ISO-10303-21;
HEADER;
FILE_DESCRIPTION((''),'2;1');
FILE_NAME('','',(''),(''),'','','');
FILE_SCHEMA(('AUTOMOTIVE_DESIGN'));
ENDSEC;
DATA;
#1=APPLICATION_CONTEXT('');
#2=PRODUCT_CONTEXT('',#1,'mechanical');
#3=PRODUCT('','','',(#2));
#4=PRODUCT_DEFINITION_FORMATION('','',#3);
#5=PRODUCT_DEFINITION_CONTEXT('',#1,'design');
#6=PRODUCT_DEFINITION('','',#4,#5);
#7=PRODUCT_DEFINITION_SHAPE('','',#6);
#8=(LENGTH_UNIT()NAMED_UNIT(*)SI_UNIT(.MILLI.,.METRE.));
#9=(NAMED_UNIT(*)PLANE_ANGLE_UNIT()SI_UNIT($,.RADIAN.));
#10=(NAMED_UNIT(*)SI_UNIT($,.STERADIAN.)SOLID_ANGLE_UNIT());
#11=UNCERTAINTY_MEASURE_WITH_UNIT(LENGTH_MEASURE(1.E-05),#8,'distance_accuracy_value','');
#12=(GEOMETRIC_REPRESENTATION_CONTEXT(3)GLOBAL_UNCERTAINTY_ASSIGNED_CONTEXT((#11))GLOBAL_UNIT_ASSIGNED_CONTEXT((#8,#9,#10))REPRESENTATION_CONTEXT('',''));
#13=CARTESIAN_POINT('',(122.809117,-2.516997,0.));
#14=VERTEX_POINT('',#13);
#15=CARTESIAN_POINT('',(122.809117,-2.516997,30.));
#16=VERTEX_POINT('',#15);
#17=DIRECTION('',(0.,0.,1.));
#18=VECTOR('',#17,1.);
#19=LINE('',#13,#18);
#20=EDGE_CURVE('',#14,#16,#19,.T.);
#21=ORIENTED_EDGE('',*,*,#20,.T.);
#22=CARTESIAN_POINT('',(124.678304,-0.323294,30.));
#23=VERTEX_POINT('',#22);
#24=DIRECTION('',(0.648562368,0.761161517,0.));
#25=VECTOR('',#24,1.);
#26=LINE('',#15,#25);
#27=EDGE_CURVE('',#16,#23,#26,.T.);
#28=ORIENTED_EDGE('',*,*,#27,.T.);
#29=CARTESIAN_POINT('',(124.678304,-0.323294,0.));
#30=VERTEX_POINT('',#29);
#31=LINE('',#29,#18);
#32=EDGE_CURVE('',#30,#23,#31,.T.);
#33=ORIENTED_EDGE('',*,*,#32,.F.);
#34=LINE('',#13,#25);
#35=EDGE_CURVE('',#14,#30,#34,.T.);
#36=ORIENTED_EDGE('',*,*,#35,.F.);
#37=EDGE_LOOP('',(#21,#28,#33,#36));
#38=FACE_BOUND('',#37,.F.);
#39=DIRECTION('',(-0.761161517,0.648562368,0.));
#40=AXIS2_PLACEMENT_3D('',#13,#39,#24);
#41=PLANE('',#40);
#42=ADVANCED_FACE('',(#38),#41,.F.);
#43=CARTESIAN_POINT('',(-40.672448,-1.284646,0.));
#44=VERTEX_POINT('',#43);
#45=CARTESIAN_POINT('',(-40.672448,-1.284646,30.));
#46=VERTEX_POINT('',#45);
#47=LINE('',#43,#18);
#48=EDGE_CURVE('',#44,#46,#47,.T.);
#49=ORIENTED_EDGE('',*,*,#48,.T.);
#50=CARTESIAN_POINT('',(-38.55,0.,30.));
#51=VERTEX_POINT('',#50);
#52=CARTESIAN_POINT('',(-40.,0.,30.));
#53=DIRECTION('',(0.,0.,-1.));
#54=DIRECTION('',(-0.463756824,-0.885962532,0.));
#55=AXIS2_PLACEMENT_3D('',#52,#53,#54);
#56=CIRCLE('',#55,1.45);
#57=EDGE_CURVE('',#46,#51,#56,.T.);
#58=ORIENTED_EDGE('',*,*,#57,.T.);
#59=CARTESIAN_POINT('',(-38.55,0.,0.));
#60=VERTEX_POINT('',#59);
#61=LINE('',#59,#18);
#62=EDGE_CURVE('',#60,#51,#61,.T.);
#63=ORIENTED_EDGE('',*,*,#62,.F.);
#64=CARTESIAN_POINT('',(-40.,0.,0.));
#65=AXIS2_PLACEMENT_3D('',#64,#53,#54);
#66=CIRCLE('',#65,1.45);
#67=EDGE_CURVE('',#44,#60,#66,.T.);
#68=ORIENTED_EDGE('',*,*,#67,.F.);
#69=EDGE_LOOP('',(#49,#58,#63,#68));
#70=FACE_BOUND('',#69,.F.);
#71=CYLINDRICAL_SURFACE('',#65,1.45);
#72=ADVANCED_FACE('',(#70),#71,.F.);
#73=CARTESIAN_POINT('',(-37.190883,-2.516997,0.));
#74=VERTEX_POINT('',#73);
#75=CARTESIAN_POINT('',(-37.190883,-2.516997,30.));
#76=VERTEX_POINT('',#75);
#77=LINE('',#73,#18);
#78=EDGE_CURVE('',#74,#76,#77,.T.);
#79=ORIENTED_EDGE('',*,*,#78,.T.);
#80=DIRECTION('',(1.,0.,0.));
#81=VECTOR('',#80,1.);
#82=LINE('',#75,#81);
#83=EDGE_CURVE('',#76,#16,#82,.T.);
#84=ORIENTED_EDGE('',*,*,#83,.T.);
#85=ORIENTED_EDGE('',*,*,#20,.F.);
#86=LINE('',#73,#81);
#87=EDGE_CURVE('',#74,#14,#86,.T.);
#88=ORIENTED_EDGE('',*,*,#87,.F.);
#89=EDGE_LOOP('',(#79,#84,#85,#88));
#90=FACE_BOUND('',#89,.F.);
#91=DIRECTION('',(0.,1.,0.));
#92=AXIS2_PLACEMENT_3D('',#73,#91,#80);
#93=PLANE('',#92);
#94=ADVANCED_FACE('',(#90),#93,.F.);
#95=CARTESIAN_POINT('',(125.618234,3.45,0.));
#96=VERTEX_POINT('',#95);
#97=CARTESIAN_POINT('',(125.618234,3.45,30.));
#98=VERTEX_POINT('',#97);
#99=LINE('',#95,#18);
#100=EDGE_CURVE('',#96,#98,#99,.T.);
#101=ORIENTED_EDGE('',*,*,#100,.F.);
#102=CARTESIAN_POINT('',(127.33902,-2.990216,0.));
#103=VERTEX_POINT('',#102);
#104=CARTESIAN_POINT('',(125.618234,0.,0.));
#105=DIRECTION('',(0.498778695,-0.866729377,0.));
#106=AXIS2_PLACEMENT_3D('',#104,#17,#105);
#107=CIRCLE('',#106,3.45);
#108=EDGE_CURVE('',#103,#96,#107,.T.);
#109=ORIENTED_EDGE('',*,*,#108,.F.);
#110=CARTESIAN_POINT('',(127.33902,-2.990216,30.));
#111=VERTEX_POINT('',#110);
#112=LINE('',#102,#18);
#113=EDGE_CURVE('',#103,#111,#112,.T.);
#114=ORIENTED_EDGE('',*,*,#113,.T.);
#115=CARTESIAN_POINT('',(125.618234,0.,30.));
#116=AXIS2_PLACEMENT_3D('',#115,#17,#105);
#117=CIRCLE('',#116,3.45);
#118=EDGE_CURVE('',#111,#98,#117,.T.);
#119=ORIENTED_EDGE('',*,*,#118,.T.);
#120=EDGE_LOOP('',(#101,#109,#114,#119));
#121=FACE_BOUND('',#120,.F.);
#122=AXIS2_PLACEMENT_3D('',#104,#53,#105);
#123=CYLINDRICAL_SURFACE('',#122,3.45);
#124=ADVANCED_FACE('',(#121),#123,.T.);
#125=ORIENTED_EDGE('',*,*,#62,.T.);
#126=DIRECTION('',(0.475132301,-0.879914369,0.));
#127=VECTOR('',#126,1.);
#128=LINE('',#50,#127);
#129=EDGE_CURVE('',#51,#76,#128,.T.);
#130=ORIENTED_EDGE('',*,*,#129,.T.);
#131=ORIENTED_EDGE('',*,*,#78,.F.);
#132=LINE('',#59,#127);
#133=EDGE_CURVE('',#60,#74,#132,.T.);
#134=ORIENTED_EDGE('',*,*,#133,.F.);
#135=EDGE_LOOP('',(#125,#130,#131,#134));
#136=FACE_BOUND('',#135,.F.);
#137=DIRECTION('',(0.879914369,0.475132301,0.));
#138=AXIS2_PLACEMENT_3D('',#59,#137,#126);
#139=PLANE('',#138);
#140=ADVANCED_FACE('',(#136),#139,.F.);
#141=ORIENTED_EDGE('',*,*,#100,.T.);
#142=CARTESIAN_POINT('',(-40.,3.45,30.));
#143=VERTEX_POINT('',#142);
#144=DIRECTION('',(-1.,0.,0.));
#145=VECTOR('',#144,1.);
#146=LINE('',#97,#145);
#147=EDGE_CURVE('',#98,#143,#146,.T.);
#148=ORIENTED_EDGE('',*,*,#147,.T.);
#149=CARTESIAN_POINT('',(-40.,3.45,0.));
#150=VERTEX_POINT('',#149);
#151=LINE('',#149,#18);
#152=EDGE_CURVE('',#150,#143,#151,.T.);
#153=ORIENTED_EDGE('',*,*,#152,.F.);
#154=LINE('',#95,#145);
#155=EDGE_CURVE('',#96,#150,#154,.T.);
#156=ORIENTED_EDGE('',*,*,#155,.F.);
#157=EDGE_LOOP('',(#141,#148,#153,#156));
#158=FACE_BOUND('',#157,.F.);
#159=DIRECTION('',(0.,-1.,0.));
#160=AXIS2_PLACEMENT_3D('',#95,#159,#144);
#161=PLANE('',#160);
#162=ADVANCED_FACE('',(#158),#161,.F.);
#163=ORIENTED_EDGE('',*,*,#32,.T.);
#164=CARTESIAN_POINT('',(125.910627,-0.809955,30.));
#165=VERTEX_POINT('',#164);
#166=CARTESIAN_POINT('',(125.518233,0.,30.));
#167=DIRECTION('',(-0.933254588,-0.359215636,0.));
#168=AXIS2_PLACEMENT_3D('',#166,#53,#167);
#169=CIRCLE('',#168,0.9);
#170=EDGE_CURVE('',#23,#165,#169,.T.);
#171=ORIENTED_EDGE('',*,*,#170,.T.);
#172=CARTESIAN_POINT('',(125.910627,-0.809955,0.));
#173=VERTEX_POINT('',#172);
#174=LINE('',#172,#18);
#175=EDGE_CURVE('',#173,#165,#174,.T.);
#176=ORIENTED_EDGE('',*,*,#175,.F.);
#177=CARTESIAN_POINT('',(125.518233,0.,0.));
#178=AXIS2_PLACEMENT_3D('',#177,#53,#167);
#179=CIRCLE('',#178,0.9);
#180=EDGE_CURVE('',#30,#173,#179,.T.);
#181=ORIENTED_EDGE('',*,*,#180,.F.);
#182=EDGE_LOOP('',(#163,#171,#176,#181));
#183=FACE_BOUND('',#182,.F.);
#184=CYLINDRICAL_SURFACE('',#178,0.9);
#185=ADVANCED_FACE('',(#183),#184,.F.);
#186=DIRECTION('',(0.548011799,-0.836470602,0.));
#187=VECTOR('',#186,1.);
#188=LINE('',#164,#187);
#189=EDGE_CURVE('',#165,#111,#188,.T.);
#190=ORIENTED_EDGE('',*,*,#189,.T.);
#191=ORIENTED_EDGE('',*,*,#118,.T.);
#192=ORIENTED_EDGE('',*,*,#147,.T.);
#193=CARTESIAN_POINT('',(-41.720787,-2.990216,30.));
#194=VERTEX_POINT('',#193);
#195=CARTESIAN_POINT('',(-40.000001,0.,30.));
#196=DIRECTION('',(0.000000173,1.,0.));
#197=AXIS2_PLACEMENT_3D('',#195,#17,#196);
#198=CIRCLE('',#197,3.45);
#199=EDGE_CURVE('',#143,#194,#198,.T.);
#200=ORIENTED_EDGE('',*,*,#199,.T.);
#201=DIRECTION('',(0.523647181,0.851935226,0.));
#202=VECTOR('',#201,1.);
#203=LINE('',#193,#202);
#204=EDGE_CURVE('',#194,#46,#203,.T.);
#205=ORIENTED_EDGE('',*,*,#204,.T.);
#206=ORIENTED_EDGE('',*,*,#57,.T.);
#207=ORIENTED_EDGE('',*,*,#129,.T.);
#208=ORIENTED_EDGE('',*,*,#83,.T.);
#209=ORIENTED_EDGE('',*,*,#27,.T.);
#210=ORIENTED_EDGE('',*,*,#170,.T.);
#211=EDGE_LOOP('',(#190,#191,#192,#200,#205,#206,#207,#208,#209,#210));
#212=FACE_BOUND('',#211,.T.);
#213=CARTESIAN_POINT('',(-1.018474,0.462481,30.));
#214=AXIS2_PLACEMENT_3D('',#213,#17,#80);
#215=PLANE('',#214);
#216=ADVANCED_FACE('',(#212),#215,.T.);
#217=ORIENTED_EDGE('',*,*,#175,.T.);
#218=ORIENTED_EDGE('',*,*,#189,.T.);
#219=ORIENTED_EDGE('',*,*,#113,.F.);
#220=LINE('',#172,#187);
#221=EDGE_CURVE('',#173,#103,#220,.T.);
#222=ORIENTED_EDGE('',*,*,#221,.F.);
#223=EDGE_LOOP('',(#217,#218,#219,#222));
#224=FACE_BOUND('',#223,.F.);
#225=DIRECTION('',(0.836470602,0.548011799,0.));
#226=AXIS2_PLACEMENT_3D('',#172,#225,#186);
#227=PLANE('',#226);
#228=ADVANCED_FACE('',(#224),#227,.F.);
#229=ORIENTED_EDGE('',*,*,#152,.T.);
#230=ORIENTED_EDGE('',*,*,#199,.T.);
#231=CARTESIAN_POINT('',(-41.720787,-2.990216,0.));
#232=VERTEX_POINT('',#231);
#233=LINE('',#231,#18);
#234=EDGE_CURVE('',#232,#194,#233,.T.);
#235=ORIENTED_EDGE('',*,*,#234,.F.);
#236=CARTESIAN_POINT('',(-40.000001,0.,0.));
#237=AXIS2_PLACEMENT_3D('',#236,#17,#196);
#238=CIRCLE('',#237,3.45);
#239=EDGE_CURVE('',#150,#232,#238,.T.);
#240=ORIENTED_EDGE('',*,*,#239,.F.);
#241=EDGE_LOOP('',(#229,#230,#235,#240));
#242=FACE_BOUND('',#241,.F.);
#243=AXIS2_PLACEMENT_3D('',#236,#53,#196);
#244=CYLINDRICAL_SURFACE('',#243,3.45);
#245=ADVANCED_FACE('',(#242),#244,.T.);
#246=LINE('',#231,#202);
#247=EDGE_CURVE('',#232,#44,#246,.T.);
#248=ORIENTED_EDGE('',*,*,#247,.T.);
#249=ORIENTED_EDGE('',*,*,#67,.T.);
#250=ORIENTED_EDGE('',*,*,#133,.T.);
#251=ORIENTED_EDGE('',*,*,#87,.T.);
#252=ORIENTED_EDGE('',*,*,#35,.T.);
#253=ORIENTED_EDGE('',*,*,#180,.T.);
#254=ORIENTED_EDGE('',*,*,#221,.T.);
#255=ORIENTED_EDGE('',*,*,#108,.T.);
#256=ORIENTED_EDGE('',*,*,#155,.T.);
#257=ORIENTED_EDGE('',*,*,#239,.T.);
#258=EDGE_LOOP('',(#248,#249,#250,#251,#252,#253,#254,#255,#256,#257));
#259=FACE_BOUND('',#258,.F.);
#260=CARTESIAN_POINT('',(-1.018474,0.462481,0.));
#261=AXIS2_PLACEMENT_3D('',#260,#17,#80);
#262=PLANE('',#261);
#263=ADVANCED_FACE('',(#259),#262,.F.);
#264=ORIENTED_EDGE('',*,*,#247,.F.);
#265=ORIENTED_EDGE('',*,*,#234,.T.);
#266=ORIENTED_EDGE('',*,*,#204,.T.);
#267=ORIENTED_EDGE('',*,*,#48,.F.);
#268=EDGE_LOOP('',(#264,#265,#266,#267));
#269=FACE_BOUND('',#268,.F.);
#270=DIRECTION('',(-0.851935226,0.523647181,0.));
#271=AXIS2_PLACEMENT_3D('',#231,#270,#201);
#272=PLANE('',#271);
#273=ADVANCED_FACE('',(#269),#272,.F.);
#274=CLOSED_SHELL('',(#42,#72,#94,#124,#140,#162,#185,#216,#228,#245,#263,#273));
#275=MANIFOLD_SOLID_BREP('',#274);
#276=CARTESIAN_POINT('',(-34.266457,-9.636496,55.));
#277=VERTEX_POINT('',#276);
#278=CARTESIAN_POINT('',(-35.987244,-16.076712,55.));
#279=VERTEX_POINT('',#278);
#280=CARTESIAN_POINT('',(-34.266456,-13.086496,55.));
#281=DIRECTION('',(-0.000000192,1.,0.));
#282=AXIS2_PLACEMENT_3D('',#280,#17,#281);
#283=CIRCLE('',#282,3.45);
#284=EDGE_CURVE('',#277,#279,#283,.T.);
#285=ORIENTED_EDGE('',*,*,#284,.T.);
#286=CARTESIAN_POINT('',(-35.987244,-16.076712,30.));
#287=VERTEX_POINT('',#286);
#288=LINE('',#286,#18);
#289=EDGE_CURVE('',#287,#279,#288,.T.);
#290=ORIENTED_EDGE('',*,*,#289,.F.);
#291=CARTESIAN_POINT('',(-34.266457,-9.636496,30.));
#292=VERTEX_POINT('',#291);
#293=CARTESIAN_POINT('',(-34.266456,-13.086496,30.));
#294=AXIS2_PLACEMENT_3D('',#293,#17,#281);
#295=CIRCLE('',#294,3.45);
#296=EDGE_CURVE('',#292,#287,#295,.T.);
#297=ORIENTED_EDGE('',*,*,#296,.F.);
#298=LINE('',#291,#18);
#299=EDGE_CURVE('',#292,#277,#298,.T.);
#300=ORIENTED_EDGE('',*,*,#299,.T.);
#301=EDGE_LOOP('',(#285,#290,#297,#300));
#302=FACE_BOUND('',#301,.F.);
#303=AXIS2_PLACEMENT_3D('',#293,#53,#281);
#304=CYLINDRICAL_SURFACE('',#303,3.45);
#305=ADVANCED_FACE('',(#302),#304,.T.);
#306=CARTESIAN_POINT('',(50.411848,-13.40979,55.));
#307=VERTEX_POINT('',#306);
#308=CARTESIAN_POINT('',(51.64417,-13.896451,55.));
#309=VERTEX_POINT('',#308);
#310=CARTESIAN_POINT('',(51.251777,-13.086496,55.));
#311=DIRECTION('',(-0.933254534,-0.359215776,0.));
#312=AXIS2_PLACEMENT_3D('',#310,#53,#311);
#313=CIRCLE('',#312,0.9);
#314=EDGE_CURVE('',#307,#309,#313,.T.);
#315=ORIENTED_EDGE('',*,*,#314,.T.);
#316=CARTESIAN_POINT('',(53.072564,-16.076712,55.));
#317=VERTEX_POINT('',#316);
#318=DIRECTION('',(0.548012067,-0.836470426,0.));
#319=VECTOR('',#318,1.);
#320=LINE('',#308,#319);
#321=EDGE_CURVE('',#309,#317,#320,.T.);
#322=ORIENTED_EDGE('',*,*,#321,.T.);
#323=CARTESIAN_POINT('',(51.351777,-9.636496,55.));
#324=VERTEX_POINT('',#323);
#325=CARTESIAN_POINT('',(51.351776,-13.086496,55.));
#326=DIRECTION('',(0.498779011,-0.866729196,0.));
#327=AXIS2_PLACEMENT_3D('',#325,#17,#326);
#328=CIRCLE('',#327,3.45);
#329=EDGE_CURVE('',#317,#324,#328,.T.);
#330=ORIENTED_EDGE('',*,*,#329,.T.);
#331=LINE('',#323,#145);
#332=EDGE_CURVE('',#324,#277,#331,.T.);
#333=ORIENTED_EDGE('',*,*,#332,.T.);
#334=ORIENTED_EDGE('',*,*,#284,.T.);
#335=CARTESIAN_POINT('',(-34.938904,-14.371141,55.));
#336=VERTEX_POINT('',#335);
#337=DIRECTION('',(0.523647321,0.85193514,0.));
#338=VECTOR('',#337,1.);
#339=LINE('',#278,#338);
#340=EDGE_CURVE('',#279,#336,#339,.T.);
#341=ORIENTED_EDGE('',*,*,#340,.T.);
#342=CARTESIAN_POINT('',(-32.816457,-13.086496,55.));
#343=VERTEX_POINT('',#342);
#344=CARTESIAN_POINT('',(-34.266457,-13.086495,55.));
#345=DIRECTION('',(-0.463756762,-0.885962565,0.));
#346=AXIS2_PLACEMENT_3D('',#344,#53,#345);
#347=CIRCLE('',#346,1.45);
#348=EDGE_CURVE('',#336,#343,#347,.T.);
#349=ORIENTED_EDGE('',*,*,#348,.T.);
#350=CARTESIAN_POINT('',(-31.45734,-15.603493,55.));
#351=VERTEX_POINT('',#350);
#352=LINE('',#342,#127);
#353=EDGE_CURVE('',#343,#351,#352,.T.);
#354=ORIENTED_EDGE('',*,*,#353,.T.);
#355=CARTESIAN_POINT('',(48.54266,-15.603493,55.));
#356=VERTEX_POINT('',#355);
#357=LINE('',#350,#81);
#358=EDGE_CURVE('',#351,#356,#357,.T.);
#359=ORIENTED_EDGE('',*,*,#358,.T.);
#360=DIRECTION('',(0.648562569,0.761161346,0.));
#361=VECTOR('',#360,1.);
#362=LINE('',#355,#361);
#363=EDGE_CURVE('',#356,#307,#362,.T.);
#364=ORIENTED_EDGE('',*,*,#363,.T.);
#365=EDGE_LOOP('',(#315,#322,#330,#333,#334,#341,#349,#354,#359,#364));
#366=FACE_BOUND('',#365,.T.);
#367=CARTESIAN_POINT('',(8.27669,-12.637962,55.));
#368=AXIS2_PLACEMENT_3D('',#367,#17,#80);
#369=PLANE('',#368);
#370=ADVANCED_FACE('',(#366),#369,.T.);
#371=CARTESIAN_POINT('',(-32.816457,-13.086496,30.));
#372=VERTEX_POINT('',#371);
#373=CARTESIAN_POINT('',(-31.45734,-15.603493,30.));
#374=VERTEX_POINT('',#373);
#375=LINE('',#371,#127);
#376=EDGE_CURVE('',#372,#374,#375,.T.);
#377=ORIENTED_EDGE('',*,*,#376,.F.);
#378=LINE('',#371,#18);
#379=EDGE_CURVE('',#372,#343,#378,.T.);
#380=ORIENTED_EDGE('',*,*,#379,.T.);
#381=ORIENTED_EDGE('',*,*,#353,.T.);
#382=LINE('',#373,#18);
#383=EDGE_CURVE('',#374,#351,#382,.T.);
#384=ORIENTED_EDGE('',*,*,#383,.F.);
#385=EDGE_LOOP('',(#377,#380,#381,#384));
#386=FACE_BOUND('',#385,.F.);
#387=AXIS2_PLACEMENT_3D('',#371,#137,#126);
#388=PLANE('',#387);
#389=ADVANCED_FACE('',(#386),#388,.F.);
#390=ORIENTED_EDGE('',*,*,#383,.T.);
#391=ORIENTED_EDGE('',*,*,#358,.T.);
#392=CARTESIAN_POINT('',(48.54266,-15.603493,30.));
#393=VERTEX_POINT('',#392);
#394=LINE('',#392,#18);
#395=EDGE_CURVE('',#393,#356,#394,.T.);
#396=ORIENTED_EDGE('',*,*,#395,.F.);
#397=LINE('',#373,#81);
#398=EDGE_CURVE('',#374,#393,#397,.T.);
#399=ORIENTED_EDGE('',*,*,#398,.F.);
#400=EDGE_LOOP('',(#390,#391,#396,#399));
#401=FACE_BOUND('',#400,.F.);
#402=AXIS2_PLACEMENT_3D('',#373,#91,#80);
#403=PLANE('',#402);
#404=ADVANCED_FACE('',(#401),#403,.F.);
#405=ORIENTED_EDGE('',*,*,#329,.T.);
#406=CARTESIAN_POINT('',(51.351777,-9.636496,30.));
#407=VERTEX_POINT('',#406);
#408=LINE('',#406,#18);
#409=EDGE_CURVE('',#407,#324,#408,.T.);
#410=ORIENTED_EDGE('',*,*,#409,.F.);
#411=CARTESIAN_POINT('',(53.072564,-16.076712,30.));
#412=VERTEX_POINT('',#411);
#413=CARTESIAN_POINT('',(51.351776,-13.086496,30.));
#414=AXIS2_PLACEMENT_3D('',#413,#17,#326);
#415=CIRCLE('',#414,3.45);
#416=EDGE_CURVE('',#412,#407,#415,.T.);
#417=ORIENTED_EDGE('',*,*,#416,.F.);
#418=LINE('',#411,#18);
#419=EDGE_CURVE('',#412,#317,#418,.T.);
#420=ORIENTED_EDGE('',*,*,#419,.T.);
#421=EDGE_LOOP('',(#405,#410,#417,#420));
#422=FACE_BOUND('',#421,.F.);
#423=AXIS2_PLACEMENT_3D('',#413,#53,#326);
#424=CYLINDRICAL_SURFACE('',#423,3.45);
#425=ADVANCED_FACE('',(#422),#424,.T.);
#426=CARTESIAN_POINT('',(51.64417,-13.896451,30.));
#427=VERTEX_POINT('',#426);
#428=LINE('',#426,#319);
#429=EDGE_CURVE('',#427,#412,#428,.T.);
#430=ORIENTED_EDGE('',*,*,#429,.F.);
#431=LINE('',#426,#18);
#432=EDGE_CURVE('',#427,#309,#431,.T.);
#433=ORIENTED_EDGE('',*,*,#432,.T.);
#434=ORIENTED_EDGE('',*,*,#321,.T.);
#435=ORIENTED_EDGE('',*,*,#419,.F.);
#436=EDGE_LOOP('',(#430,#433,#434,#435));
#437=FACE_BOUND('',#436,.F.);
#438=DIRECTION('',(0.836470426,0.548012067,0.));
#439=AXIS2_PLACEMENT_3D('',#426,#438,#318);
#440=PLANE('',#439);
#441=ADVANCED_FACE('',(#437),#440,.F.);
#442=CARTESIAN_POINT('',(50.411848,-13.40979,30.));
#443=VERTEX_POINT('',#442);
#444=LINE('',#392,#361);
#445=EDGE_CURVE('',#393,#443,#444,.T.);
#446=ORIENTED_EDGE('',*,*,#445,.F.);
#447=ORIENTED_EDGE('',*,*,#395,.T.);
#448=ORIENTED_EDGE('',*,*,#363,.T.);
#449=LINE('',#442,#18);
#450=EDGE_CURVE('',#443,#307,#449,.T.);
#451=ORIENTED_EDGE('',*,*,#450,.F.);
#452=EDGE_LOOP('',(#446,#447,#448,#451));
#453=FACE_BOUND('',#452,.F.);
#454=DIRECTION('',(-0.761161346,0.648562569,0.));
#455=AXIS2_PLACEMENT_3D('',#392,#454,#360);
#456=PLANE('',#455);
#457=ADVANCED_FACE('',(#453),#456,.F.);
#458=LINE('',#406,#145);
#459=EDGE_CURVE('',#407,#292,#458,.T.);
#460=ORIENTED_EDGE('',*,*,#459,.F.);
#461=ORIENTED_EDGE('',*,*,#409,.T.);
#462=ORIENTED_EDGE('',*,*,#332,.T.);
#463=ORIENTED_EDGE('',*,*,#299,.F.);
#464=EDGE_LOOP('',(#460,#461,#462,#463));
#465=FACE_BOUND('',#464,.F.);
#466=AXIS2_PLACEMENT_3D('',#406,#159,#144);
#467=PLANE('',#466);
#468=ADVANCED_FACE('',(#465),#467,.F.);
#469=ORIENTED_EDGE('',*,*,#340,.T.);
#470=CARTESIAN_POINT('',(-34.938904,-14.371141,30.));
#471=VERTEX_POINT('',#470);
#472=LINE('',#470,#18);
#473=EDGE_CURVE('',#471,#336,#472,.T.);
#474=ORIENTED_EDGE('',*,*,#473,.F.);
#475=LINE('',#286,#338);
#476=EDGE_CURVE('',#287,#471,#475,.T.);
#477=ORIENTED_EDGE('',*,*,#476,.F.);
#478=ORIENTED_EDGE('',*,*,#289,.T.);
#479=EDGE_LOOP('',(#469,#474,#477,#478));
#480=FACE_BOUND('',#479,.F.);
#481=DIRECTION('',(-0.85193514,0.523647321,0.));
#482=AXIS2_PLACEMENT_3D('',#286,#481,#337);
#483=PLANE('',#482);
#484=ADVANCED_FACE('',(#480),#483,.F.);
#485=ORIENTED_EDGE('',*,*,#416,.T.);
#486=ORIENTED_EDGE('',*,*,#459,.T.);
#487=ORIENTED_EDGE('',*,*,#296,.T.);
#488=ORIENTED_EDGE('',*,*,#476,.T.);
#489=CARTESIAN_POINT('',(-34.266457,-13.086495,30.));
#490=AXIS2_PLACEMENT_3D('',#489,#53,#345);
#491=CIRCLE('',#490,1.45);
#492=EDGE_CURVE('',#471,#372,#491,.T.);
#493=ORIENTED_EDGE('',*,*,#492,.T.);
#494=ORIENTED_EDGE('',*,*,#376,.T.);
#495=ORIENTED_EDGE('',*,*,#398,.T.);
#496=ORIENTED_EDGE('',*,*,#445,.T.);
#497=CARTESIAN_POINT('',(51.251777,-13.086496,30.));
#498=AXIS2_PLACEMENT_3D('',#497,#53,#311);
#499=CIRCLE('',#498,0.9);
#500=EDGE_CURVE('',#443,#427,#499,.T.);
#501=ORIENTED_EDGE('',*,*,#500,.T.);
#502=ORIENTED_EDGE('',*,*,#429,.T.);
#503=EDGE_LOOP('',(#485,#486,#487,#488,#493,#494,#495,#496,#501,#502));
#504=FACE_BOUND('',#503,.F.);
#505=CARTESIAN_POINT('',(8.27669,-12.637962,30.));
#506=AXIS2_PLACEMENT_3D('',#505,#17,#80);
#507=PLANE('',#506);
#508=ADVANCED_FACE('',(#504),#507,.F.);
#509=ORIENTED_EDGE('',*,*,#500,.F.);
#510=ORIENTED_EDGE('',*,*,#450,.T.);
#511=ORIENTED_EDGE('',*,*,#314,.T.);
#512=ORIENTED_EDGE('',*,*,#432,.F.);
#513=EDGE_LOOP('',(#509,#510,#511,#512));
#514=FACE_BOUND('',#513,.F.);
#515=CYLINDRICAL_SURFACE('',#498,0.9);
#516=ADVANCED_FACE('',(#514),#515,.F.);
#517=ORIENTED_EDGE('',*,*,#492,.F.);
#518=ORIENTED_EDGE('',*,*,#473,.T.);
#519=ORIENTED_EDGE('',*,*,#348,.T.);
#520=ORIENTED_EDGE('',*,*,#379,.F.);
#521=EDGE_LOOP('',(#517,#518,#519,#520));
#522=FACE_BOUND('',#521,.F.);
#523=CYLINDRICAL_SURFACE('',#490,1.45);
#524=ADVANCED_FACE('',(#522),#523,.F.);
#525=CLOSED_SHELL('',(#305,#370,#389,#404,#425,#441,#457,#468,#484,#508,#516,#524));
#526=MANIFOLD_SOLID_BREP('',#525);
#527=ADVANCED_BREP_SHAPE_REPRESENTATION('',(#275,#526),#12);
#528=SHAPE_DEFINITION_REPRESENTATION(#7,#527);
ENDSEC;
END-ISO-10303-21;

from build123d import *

# Parameters (mm, degrees)
F1_DEPTH = 30
F3_DEPTH = 25


with BuildPart() as f1:
    # F0 (on Top) → F1 (new body)
    with BuildSketch(Plane.XY):
        with BuildLine():
            ThreePointArc((-40.672448, -1.284646), (-40.750817, 1.240474), (-38.55, 0))
            Line((-38.55, 0), (-37.190883, -2.516997))
            Line((-37.190883, -2.516997), (42.809117, -2.516997))
            Line((42.809117, -2.516997), (42.809117, 3.45))
            Line((42.809117, 3.45), (-40, 3.45))
            ThreePointArc((-40, 3.45), (-43.333073, 0.890577), (-41.720787, -2.990216))
            Line((-41.720787, -2.990216), (-40.672448, -1.284646))
        make_face()
        with BuildLine():
            Line((42.809117, 3.45), (42.809117, -2.516997))
            Line((42.809117, -2.516997), (122.809117, -2.516997))
            Line((122.809117, -2.516997), (124.678304, -0.323294))
            ThreePointArc((124.678304, -0.323294), (125.848812, 0.837089), (125.910627, -0.809955))
            Line((125.910627, -0.809955), (127.33902, -2.990216))
            ThreePointArc((127.33902, -2.990216), (128.951306, 0.890577), (125.618234, 3.45))
            Line((125.618234, 3.45), (42.809117, 3.45))
        make_face()
    extrude(amount=F1_DEPTH)


with BuildPart() as f3:
    # F2 (on face) → F3 (new body)
    with BuildSketch(Plane.XY.offset(30)):
        with BuildLine():
            ThreePointArc((53.072564, -16.076712), (54.684849, -12.195919), (51.351777, -9.636496))
            Line((51.351777, -9.636496), (8.54266, -9.636496))
            Line((8.54266, -9.636496), (-34.266457, -9.636496))
            ThreePointArc((-34.266457, -9.636496), (-37.599529, -12.195919), (-35.987244, -16.076712))
            Line((-35.987244, -16.076712), (-34.938904, -14.371141))
            ThreePointArc((-34.938904, -14.371141), (-35.017273, -11.846022), (-32.816457, -13.086496))
            Line((-32.816457, -13.086496), (-31.45734, -15.603493))
            Line((-31.45734, -15.603493), (8.54266, -15.603493))
            Line((8.54266, -15.603493), (48.54266, -15.603493))
            Line((48.54266, -15.603493), (50.411848, -13.40979))
            ThreePointArc((50.411848, -13.40979), (51.582355, -12.249407), (51.64417, -13.896451))
            Line((51.64417, -13.896451), (53.072564, -16.076712))
        make_face()
    extrude(amount=F3_DEPTH)


solid = Compound([f1.part, f3.part])
